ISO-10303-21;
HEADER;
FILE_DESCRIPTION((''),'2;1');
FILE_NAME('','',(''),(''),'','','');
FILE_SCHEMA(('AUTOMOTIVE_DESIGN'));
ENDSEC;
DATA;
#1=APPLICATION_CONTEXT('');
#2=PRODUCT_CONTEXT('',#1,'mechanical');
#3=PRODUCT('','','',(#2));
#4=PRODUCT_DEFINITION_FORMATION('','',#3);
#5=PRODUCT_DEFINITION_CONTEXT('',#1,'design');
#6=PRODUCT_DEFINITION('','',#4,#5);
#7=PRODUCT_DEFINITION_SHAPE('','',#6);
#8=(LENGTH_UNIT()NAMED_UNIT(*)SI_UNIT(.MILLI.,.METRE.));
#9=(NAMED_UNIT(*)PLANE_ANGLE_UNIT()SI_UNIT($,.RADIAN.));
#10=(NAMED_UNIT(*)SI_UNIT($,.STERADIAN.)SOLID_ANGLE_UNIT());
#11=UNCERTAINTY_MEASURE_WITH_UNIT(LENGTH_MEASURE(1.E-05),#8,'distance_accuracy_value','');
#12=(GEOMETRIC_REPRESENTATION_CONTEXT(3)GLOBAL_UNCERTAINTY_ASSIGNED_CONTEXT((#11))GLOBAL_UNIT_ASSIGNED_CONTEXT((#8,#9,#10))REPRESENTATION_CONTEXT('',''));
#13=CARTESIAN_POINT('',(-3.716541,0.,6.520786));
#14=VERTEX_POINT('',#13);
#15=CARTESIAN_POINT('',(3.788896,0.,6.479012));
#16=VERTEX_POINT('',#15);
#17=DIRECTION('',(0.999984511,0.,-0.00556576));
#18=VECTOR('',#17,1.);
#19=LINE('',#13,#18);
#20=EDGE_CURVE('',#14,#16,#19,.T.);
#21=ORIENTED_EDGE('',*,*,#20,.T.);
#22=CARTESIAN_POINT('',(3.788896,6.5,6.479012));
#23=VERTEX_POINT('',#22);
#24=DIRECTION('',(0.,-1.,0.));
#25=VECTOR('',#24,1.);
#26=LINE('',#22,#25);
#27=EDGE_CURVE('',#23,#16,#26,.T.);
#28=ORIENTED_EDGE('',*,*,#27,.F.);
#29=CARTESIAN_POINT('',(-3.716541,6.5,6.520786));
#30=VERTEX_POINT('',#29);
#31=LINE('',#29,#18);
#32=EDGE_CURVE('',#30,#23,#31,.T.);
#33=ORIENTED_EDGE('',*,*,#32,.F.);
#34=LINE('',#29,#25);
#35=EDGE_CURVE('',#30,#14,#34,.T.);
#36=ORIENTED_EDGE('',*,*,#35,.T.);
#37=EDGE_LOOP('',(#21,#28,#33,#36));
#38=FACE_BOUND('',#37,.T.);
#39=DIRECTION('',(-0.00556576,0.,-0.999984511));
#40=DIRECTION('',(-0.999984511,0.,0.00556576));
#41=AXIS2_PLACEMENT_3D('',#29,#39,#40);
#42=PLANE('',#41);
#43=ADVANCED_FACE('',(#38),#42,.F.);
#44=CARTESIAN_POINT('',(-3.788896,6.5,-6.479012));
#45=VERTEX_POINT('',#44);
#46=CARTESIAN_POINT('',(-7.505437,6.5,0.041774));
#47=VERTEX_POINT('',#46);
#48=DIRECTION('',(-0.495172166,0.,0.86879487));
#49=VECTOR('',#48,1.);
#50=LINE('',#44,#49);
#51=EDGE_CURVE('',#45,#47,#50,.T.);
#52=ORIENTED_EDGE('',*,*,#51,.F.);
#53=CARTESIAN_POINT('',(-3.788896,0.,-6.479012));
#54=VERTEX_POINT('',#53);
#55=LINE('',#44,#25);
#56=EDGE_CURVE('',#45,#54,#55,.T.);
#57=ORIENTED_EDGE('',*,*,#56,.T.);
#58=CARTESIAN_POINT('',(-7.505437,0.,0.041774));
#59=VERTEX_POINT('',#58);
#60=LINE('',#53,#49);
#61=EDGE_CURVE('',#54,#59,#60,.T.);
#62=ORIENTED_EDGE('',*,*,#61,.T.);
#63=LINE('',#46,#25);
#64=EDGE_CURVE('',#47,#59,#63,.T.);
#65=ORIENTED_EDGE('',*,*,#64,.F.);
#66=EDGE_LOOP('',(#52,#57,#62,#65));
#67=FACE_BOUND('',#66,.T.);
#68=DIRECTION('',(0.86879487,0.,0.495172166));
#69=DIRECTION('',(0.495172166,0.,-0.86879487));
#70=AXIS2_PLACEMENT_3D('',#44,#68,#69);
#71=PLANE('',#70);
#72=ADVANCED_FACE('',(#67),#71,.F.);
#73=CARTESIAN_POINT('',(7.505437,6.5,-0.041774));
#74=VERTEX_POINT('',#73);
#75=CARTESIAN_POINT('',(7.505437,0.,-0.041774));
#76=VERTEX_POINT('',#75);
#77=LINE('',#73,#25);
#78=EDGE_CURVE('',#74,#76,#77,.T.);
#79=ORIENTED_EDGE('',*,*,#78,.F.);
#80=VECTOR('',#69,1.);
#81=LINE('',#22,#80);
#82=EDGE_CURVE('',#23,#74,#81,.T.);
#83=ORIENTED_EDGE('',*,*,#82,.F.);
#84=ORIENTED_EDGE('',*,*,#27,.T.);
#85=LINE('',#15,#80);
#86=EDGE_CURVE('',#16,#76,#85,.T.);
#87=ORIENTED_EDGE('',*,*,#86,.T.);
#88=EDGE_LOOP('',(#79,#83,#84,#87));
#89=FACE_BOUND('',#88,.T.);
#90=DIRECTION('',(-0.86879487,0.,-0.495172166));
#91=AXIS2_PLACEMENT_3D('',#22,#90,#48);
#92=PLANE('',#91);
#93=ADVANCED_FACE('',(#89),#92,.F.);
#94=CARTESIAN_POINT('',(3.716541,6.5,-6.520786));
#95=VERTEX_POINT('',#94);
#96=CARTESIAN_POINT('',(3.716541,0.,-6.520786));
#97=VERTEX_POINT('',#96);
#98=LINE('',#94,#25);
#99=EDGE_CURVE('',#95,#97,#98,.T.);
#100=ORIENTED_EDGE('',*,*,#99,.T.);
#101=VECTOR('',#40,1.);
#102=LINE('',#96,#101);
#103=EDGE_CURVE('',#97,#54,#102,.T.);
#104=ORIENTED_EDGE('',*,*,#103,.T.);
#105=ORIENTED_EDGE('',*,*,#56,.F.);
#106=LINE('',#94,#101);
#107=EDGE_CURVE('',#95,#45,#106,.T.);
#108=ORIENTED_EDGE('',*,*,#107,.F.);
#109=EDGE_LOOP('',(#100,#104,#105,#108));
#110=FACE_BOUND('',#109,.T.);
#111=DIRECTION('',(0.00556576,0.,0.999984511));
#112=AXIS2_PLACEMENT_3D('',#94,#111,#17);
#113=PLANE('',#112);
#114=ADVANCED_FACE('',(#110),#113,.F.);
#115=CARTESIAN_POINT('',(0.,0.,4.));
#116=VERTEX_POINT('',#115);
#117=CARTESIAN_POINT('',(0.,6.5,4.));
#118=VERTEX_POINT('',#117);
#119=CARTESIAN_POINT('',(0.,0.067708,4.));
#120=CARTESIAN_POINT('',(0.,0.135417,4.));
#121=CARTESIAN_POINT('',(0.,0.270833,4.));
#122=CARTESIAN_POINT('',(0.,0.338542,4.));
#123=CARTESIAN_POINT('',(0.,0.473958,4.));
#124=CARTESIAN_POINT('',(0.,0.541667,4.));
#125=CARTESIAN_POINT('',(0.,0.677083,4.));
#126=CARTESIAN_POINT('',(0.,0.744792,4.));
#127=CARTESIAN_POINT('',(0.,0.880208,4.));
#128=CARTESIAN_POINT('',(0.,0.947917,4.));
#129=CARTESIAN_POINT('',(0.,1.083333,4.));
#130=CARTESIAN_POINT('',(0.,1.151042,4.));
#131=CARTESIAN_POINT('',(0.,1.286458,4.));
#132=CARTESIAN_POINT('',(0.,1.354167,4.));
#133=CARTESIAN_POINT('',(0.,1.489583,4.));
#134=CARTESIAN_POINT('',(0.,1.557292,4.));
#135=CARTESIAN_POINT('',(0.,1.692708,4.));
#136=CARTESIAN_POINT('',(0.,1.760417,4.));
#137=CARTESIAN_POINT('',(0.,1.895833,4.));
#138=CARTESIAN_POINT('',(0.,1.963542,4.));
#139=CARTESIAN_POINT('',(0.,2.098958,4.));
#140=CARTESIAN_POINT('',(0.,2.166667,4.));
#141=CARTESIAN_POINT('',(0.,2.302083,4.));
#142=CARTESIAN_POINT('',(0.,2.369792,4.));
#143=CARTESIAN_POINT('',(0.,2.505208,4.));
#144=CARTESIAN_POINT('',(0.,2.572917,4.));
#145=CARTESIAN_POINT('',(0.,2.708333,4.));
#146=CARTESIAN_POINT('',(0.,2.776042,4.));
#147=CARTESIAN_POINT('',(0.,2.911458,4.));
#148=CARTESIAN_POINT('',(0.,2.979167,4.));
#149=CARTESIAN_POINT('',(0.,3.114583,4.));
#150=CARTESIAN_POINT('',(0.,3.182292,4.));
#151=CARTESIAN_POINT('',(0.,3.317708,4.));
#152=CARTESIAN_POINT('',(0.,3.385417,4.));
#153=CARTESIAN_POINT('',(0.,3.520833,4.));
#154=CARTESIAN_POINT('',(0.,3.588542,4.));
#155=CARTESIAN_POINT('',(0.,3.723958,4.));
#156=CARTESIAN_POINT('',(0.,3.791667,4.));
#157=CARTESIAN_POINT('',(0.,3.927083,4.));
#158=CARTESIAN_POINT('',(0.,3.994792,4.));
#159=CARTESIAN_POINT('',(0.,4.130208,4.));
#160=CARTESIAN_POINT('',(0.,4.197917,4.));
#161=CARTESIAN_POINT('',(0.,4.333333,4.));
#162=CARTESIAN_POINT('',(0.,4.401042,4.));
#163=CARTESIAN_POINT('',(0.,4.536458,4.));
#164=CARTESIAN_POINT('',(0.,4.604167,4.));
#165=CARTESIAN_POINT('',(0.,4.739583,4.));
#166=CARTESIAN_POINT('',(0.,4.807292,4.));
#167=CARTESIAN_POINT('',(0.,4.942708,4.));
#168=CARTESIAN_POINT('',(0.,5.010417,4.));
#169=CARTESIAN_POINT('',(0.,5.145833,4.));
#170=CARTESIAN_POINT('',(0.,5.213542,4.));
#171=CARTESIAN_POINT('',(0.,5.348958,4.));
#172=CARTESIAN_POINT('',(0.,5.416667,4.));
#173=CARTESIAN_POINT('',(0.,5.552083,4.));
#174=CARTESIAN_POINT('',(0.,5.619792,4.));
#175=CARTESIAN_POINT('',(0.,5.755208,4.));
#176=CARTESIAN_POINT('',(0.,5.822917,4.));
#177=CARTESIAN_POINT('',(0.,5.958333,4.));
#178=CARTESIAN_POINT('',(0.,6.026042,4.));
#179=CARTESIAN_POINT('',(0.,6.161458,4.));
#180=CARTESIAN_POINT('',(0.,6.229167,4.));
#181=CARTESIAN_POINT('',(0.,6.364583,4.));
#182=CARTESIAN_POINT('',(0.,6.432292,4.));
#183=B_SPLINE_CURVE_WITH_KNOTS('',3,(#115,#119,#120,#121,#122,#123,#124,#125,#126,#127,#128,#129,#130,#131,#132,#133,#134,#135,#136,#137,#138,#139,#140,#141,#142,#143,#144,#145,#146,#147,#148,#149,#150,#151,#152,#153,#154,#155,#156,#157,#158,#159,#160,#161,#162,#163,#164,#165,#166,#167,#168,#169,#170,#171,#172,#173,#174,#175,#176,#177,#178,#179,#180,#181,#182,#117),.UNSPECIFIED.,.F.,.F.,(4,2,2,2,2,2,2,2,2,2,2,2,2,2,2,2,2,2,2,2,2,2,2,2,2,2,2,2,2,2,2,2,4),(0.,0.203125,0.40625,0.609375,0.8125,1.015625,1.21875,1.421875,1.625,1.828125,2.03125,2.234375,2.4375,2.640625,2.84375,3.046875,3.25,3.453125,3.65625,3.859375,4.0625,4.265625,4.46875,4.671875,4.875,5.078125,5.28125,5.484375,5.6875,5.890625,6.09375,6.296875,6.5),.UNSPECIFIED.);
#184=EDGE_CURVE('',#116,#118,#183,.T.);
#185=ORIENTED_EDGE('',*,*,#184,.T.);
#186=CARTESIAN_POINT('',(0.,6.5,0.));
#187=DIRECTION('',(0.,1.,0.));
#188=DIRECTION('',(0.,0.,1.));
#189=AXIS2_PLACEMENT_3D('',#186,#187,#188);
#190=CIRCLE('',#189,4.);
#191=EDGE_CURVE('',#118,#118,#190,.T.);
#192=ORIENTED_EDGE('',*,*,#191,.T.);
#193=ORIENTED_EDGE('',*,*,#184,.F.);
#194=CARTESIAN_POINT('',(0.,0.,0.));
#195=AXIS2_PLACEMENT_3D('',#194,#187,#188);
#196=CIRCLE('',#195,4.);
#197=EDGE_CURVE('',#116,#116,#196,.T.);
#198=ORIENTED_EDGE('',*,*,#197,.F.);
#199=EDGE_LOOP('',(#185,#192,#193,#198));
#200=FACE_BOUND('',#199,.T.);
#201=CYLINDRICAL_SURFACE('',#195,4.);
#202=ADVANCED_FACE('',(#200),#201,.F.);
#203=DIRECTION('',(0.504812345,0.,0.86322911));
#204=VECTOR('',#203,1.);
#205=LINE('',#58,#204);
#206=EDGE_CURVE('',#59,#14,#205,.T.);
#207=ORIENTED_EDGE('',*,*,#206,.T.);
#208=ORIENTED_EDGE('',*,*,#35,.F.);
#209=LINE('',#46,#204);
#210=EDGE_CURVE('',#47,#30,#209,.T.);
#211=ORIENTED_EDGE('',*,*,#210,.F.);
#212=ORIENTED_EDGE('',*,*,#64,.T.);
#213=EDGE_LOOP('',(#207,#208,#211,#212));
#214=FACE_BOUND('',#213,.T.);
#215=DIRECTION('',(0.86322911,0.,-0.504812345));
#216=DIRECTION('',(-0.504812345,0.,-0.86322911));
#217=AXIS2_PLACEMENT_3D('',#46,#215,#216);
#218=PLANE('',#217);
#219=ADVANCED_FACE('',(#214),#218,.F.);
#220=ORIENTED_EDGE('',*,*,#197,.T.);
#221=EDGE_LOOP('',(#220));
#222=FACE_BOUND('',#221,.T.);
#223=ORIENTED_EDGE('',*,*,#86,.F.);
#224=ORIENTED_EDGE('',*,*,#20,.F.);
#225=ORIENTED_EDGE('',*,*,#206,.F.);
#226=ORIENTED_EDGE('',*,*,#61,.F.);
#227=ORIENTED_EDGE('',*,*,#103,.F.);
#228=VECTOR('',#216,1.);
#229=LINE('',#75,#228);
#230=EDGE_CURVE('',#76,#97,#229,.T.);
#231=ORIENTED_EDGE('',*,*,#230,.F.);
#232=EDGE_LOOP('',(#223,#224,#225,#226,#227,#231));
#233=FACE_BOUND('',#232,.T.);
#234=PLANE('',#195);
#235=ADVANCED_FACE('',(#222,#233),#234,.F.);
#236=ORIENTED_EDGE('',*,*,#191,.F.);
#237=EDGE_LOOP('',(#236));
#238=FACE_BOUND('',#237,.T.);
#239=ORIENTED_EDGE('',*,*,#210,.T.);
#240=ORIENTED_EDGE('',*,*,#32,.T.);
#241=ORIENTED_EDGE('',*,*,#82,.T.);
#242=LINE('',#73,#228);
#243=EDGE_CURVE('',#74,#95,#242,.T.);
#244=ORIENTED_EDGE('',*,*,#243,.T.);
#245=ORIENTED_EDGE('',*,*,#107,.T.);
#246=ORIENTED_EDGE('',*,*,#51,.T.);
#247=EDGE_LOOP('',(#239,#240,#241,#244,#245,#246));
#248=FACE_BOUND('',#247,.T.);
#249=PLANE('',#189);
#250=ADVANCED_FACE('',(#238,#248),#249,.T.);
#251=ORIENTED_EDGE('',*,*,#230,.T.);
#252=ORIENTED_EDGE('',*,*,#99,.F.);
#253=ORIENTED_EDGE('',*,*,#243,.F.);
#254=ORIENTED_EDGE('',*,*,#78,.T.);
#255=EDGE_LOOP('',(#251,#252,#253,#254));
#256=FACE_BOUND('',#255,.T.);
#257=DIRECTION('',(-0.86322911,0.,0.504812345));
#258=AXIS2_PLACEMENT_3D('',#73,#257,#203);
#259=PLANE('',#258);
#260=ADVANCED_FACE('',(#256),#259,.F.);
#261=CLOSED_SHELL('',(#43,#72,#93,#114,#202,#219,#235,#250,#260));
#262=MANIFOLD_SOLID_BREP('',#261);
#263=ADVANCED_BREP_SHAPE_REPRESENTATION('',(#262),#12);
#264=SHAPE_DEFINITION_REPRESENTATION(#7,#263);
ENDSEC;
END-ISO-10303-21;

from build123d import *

# Parameters (mm, degrees)
BOSS_EXTRUDE1_DEPTH = 6.5
SKETCH2_R           = 4
CUT_EXTRUDE1_DEPTH  = 12.878646523


with BuildPart() as part:
    # Sketch1 → Boss-Extrude1 (new body)
    with BuildSketch(Plane(origin=(0, 0, 0), x_dir=(1, 0, 0), z_dir=(0, 1, 0))):
        Polygon((3.788896063, -6.479012267), (7.505437246, 0.041774109), (3.716541184, 6.520786376), (-3.788896063, 6.479012267), (-7.505437246, -0.041774109), (-3.716541184, -6.520786376), align=None)
    extrude(amount=BOSS_EXTRUDE1_DEPTH)

    # Sketch2 → Cut-Extrude1 (cut, through all)
    with BuildSketch(Plane(origin=(0, 6.5, 0), x_dir=(1, 0, 0), z_dir=(0, 1, 0))):
        with Locations(Location((0, 0, 0), (0, 0, 270))):
            Circle(SKETCH2_R)
    extrude(amount=-CUT_EXTRUDE1_DEPTH, mode=Mode.SUBTRACT)


solid = part.part
